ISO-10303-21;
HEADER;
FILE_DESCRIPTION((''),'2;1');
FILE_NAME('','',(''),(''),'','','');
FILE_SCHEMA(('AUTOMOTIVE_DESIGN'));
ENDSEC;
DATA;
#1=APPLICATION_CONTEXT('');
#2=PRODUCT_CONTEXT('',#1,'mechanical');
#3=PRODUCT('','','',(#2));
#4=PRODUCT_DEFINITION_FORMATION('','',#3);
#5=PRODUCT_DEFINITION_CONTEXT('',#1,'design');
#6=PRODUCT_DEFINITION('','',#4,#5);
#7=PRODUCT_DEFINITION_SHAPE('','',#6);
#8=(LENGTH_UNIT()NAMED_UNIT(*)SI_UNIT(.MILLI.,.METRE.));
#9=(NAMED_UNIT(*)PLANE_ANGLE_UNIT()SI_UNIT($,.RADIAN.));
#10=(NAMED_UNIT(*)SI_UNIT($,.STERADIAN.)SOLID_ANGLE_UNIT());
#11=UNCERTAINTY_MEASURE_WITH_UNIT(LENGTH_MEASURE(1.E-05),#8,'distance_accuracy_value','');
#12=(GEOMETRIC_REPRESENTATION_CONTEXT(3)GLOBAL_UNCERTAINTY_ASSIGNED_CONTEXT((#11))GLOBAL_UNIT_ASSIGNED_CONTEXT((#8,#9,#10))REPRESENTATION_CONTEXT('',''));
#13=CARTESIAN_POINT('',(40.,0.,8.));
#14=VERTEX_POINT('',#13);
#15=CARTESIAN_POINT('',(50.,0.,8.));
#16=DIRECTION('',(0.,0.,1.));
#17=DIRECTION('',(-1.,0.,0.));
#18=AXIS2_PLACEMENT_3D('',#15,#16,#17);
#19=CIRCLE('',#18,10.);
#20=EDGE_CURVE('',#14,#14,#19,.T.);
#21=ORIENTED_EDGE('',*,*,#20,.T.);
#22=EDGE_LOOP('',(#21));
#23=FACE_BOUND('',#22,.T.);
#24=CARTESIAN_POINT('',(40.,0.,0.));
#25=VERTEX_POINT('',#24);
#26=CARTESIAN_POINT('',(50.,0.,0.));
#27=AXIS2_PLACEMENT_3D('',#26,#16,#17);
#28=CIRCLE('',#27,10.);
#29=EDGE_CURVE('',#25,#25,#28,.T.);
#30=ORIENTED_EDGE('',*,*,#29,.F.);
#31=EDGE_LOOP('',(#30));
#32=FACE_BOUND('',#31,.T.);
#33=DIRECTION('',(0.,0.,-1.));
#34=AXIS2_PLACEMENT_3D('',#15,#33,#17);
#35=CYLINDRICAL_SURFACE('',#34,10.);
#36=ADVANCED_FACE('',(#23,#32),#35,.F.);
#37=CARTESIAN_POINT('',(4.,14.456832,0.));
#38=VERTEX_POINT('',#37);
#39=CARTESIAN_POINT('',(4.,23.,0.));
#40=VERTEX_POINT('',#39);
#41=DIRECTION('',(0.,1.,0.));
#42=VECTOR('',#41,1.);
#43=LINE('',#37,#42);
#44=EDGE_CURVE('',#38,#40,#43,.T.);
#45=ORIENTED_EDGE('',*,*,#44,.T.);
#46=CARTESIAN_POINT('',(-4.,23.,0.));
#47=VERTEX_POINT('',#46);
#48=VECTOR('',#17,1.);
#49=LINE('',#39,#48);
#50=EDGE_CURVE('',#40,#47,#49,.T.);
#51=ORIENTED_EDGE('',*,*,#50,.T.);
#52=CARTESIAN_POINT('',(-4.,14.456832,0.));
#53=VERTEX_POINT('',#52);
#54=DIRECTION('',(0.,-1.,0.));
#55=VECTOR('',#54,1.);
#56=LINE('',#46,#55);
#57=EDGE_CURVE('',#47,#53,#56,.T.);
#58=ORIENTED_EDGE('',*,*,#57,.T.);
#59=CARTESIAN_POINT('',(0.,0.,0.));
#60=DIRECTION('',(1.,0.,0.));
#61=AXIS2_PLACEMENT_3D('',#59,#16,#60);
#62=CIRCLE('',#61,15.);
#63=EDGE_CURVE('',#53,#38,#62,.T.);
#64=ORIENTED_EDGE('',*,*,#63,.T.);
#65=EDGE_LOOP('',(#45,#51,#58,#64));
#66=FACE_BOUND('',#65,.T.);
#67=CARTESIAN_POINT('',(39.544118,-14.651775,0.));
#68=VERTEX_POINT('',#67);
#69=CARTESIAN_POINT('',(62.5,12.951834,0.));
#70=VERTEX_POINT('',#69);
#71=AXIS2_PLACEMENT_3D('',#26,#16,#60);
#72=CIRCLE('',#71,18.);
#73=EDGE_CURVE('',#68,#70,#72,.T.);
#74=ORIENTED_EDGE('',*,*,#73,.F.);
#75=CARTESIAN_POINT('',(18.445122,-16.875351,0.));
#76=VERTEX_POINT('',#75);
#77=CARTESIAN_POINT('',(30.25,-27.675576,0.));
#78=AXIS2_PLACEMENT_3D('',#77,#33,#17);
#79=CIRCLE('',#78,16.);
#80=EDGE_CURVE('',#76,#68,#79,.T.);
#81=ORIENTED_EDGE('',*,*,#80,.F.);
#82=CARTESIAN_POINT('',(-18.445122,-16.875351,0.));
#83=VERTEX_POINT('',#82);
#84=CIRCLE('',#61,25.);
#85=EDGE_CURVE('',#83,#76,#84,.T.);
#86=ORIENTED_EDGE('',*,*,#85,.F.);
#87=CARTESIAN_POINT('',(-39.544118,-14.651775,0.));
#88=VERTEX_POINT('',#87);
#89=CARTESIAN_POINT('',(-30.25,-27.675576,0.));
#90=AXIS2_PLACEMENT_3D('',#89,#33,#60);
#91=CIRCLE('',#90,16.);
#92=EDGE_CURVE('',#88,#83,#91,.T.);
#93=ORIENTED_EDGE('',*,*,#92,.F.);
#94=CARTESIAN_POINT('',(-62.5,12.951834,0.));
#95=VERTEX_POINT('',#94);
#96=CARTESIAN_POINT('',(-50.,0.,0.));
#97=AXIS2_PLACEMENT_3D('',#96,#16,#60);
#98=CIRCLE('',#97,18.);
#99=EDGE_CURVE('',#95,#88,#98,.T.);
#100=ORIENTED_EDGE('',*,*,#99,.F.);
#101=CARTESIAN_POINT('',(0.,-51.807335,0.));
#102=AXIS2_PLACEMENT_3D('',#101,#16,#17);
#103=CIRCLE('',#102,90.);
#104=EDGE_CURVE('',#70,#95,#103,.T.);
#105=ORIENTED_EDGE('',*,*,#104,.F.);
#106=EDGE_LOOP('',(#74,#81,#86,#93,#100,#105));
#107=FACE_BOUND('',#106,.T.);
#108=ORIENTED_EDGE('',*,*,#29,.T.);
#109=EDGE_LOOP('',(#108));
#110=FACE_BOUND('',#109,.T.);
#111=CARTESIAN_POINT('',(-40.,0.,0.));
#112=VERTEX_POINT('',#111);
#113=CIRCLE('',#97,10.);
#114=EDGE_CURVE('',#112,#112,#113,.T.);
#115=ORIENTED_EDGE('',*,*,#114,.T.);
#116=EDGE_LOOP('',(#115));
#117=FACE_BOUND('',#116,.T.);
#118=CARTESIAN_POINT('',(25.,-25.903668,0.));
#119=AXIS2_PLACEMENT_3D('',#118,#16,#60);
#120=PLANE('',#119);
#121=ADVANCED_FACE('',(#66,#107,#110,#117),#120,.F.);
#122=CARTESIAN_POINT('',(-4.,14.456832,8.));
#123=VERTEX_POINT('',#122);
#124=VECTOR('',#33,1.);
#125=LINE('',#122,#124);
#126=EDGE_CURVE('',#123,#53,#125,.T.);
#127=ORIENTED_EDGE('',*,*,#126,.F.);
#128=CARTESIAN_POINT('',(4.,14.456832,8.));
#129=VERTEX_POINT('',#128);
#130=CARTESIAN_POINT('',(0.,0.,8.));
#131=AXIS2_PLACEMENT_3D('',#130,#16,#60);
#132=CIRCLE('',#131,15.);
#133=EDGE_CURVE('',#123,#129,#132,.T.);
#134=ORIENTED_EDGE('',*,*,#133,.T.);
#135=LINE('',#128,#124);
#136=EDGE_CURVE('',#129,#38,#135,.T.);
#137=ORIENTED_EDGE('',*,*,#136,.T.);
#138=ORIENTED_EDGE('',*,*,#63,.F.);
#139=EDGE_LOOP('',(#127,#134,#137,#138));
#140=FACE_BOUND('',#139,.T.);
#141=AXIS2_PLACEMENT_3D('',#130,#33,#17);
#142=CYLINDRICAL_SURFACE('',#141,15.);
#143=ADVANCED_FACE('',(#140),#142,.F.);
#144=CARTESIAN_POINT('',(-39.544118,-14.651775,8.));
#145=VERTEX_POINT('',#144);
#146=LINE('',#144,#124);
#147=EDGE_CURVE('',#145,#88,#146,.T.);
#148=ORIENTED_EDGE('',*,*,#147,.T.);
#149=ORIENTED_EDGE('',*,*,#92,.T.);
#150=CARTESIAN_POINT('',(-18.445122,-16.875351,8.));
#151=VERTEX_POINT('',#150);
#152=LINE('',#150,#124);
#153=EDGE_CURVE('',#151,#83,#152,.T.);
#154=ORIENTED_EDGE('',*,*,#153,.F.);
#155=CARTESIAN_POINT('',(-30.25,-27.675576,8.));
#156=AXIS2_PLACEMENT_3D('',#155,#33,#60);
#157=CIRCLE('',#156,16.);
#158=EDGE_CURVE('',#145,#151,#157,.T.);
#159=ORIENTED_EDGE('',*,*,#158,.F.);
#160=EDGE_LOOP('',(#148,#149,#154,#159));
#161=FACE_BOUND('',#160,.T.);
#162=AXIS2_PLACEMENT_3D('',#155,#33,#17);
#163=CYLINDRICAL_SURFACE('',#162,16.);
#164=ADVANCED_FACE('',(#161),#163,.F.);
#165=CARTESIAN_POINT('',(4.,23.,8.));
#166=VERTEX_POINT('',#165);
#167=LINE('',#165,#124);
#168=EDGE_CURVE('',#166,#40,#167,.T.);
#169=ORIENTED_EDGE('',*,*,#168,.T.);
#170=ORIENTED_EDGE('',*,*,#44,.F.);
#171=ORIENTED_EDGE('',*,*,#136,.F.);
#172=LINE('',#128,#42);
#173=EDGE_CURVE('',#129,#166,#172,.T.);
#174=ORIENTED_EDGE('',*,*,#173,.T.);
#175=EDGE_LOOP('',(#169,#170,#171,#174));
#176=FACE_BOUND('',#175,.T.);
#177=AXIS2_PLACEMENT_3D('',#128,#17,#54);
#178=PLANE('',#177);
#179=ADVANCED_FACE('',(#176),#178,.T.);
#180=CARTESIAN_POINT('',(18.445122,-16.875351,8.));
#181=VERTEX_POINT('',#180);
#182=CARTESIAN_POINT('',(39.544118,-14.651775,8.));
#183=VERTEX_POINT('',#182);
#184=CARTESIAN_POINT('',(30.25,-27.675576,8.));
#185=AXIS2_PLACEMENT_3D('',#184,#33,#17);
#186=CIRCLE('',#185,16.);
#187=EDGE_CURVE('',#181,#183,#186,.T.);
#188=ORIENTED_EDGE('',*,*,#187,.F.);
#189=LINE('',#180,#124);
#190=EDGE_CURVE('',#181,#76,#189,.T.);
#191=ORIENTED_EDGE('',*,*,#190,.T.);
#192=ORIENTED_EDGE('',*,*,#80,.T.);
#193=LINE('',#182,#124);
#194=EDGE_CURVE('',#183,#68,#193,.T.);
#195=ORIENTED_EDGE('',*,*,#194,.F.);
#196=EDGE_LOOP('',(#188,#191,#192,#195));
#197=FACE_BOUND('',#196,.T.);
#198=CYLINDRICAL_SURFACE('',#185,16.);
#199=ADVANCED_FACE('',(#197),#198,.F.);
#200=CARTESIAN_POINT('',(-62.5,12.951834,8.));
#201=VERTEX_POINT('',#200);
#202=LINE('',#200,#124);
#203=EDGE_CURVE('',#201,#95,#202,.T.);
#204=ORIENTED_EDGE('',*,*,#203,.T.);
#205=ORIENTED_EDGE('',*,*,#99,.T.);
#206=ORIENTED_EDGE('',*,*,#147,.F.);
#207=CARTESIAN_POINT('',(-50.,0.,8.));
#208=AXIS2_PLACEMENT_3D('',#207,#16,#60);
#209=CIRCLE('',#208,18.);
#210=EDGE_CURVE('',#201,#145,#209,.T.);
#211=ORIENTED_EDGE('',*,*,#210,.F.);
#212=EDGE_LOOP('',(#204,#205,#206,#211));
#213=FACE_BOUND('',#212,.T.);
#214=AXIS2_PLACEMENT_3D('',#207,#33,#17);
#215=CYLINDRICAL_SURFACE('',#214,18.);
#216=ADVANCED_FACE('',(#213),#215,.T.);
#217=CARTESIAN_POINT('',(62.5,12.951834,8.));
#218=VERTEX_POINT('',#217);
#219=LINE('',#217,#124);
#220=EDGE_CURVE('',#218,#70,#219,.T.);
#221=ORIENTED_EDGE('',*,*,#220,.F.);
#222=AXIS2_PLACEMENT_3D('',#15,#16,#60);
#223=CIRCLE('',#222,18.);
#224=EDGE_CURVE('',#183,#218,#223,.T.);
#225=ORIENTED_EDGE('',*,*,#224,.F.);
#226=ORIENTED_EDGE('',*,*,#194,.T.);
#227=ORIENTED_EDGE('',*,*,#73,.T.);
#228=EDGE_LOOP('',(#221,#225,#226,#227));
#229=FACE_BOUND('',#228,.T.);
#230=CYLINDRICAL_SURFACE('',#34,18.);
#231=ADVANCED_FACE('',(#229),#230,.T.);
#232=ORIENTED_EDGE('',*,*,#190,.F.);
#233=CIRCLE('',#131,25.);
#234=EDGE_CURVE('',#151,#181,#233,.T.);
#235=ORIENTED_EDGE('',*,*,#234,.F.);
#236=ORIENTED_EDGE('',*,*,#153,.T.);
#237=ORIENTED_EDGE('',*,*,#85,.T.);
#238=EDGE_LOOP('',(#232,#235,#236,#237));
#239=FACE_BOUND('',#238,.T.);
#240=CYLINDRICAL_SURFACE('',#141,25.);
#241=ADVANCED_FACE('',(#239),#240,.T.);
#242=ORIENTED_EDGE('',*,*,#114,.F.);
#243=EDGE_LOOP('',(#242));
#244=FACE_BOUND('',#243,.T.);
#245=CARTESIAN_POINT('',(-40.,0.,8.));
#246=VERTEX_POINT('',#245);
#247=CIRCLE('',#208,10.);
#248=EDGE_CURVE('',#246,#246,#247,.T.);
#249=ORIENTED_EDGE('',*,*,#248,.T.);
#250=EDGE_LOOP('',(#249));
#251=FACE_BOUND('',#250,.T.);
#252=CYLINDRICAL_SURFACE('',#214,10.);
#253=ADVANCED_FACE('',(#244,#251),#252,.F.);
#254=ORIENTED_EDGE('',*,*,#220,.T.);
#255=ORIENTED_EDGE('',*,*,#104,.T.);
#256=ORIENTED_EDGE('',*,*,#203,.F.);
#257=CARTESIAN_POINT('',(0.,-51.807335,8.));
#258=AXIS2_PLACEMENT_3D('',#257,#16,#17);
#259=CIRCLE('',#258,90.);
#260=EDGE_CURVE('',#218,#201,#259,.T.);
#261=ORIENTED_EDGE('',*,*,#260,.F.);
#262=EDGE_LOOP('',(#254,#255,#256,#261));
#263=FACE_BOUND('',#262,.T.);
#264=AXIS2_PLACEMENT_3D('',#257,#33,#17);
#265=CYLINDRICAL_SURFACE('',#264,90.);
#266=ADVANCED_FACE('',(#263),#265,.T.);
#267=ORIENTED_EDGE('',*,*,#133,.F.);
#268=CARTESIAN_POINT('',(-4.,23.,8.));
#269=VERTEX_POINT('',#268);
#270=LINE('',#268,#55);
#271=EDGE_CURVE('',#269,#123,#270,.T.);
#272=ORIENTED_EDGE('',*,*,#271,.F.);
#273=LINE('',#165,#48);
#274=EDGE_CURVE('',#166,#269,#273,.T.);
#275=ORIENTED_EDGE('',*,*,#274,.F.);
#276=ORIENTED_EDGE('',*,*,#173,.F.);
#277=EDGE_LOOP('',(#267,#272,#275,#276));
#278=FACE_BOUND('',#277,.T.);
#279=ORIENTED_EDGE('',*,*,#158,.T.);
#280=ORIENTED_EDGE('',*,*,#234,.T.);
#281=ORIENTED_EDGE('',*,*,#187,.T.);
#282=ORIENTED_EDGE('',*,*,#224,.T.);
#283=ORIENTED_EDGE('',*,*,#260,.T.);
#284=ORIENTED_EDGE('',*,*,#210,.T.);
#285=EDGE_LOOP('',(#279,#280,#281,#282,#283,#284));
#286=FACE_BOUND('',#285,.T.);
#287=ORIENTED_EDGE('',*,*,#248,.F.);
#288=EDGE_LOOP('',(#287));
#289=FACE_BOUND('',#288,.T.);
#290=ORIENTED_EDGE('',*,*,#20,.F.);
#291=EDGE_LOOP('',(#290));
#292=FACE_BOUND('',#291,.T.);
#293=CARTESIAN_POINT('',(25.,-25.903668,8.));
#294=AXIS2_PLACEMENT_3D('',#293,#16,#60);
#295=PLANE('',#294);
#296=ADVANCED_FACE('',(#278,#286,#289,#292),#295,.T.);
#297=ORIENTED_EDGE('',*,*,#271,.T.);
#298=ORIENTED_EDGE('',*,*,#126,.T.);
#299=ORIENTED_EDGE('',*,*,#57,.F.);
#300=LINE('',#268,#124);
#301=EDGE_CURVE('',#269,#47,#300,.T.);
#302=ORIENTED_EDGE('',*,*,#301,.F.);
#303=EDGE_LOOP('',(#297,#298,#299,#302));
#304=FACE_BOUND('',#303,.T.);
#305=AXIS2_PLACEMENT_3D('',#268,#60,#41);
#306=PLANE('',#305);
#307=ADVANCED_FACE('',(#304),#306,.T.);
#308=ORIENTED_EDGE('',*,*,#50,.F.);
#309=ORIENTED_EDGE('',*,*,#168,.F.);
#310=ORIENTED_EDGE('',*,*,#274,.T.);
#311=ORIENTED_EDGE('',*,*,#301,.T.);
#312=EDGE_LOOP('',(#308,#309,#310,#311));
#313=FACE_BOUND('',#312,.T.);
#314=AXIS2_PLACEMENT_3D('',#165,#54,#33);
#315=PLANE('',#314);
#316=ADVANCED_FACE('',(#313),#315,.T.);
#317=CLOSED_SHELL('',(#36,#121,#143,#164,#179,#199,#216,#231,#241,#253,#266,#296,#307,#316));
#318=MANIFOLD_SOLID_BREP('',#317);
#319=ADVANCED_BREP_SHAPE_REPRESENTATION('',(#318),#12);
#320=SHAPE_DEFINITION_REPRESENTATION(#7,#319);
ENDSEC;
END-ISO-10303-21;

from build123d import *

# Parameters (mm, degrees)
CROQUIS1_R              = 10
SALIENTE_EXTRUIR2_DEPTH = 8


with BuildPart() as part:
    # Croquis1 → Saliente-Extruir2 (new body)
    with BuildSketch(Plane.XY):
        with BuildLine():
            ThreePointArc((-62.5, 12.951833847), (0, 38.192664612), (62.5, 12.951833847))
            ThreePointArc((62.5, 12.951833847), (63.839595947, -11.509369402), (39.544117647, -14.651775463))
            ThreePointArc((39.544117647, -14.651775463), (28.573082694, -11.763695145), (18.445121951, -16.875351143))
            ThreePointArc((18.445121951, -16.875351143), (0, -25), (-18.445121951, -16.875351143))
            ThreePointArc((-18.445121951, -16.875351143), (-28.573082694, -11.763695145), (-39.544117647, -14.651775463))
            ThreePointArc((-39.544117647, -14.651775463), (-63.839595947, -11.509369402), (-62.5, 12.951833847))
        make_face()
        with Locations((-50, 0)):
            Circle(CROQUIS1_R, mode=Mode.SUBTRACT)
        with Locations(Location((50, 0, 0), (0, 0, 180))):
            Circle(CROQUIS1_R, mode=Mode.SUBTRACT)
        with BuildLine():
            Line((4, 14.456832295), (4, 23))
            Line((4, 23), (-4, 23))
            Line((-4, 23), (-4, 14.456832295))
            ThreePointArc((-4, 14.456832295), (0, -15), (4, 14.456832295))
        make_face(mode=Mode.SUBTRACT)
    extrude(amount=SALIENTE_EXTRUIR2_DEPTH)


solid = part.part
